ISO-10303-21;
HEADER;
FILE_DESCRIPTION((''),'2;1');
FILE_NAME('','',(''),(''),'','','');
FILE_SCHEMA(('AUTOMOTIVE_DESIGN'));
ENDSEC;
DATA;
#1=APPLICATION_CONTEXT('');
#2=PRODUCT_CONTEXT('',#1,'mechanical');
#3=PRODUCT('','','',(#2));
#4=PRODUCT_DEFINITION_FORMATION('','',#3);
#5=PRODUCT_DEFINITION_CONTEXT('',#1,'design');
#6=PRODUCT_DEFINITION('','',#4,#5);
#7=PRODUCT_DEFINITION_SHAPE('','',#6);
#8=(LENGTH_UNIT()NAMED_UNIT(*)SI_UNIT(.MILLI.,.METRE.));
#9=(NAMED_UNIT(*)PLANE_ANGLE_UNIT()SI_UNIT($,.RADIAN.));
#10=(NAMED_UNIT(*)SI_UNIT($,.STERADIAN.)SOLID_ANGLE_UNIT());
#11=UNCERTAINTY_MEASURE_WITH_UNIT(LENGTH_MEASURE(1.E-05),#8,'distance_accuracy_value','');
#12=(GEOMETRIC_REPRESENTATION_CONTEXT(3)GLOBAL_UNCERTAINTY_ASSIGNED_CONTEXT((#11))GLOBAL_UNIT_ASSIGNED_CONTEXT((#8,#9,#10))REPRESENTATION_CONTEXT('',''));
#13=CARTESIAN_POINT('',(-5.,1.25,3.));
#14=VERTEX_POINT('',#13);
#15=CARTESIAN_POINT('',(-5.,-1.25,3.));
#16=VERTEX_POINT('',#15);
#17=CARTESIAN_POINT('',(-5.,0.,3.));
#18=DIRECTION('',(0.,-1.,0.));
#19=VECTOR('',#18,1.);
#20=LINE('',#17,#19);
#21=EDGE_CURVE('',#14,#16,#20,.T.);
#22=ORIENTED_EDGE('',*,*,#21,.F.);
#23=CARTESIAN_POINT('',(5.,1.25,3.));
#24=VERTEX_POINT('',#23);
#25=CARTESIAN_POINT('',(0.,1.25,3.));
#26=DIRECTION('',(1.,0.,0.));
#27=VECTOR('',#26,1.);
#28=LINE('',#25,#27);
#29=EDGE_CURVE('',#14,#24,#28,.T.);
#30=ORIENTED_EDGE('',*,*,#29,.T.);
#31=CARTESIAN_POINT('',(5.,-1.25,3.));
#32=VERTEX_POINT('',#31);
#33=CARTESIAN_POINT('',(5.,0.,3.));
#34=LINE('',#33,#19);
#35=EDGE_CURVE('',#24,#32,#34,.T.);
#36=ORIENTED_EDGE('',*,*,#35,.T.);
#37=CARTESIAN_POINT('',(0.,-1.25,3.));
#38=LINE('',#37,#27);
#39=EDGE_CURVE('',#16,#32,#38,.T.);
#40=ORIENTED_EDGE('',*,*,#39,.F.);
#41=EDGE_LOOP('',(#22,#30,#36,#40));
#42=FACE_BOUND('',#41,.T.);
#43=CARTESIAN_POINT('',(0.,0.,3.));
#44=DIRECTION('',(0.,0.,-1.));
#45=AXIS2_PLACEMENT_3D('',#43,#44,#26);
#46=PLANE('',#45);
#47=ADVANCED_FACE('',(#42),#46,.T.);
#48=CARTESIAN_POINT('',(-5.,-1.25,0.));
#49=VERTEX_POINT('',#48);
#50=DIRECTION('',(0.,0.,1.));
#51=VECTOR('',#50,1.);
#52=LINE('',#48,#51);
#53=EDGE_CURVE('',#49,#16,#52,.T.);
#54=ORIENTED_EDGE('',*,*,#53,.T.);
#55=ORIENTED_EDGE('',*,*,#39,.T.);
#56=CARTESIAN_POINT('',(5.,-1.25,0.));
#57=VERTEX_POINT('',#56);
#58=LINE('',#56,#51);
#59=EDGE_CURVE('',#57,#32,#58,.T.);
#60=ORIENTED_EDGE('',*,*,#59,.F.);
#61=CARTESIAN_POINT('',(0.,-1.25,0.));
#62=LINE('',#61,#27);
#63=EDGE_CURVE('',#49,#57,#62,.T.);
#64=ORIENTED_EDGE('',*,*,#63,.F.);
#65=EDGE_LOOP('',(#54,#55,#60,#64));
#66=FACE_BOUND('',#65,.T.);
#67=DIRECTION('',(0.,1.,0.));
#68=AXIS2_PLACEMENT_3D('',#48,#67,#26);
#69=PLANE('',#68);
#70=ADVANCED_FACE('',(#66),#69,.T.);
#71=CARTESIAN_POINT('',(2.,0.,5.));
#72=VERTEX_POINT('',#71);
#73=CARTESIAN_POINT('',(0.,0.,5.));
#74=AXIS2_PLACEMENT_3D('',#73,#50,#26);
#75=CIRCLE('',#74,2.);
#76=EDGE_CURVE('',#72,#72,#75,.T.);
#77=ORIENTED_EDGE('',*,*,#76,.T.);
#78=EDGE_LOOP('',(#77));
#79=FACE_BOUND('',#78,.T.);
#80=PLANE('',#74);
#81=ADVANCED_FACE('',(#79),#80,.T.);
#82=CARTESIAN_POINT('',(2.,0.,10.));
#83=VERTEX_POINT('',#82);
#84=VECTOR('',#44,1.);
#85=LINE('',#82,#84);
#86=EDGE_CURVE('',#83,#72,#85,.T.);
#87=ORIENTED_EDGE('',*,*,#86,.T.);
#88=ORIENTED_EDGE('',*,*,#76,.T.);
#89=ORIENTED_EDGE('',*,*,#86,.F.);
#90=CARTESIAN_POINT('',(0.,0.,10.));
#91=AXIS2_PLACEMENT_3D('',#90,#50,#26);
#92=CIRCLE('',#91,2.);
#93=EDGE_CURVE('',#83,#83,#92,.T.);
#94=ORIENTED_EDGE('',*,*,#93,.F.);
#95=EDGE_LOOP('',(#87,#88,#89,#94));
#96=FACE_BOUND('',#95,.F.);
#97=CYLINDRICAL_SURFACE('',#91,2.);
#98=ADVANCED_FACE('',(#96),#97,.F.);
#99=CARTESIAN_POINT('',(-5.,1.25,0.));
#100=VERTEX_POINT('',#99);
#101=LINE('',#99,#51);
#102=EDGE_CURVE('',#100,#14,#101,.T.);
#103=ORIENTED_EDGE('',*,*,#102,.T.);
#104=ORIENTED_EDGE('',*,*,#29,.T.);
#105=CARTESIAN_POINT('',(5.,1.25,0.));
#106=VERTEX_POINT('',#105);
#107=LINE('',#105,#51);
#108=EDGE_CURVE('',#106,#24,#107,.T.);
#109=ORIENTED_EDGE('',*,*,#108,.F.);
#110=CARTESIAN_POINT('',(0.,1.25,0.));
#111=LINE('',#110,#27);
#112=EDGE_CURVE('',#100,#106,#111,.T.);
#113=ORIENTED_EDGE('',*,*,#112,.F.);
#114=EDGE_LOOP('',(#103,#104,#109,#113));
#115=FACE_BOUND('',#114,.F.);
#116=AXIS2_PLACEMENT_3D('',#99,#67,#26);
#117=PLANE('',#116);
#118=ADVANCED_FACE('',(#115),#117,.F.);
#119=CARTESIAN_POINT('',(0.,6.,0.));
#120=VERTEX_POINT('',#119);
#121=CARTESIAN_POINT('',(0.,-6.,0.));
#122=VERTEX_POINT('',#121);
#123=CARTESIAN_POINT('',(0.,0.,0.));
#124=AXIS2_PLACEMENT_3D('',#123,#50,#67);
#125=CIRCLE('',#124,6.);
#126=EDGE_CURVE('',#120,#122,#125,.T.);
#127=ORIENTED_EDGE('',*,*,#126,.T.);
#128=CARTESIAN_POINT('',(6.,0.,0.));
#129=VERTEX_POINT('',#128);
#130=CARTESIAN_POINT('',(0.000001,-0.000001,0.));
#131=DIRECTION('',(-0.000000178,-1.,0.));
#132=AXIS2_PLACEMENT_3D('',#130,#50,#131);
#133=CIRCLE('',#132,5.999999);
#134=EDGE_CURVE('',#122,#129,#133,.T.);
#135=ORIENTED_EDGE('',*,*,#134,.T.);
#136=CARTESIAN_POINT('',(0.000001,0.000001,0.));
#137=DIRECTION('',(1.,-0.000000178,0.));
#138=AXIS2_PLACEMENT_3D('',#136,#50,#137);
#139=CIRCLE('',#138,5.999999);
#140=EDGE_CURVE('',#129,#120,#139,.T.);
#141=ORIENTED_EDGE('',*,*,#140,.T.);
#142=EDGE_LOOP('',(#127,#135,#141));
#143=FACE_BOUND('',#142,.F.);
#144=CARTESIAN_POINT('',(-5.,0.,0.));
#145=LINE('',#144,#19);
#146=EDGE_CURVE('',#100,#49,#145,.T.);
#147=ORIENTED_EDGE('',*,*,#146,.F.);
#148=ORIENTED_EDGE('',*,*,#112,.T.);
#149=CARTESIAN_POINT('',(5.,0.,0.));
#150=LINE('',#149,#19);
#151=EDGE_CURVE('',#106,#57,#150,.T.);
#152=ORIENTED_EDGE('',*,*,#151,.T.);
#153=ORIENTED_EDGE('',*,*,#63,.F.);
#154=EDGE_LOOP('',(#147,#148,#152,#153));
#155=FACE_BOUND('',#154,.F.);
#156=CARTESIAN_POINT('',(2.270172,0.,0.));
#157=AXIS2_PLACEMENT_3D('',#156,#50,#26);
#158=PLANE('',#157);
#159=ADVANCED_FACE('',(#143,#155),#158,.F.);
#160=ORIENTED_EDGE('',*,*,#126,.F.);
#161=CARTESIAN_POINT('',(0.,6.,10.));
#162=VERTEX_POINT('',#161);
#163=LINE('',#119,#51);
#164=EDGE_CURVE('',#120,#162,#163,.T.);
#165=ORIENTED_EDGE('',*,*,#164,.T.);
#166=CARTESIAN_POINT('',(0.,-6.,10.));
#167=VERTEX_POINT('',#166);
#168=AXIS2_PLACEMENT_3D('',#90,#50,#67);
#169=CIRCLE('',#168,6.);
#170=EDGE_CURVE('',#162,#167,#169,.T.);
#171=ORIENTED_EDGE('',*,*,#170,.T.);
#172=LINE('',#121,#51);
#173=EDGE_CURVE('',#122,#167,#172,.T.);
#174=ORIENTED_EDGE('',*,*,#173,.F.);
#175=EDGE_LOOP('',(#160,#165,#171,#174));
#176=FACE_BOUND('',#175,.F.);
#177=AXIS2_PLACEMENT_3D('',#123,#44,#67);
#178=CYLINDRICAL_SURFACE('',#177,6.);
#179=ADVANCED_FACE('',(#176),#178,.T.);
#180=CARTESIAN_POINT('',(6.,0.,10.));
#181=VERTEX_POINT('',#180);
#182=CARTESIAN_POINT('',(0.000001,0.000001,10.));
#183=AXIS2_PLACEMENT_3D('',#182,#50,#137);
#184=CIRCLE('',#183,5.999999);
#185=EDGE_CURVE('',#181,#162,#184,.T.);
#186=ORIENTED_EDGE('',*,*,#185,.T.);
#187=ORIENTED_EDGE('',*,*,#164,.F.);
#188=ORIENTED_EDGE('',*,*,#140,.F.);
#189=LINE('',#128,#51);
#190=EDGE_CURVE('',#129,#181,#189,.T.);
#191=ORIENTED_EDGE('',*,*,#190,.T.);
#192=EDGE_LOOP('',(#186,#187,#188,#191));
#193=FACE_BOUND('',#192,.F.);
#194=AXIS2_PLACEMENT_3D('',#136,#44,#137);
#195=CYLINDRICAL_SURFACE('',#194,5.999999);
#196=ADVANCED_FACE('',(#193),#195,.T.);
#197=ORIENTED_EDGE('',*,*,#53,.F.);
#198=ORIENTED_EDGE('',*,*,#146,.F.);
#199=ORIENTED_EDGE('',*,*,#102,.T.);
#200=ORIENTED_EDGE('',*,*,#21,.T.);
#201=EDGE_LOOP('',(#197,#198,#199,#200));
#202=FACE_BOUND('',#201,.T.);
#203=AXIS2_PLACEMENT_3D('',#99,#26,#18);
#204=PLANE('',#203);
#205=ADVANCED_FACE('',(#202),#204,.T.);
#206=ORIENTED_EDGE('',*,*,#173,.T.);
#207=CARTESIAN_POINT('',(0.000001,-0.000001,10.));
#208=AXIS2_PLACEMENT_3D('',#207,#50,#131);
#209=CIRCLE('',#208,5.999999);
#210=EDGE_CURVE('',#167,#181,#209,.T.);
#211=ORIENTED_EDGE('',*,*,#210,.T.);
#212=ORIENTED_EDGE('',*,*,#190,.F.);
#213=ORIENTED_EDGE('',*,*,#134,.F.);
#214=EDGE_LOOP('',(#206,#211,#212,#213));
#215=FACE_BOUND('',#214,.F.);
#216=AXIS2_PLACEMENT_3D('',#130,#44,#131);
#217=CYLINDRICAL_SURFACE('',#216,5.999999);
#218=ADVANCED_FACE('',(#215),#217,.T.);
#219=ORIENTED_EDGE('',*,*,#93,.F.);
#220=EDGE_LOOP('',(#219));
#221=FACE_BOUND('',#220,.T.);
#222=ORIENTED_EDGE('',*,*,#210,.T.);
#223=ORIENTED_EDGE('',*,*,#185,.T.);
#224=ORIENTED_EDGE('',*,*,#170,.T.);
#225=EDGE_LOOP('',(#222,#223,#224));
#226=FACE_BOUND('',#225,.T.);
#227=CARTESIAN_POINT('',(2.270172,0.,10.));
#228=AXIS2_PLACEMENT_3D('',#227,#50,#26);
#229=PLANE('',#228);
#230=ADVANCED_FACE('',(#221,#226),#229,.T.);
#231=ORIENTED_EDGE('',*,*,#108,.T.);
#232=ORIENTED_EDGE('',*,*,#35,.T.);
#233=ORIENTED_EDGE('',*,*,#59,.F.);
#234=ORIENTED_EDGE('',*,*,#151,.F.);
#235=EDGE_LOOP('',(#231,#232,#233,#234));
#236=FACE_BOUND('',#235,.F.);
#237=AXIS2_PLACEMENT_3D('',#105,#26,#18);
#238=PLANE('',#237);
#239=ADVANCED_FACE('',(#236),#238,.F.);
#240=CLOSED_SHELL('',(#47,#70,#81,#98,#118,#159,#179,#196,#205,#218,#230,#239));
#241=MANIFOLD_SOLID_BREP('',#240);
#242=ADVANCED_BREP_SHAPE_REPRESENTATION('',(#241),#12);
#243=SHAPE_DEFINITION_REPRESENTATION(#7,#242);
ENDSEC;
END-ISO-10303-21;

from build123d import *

# Parameters (mm, degrees)
F1_DEPTH = 10
F2_R     = 2
F3_DEPTH = 5
F4_W     = 10
F4_H     = 2.5
F5_DEPTH = 3


with BuildPart() as f1:
    # F0 (on Top) → F1 (new body)
    with BuildSketch(Plane.XY):
        with BuildLine():
            ThreePointArc((0, -6), (4.242641, -4.242641), (6, 0))
            ThreePointArc((6, 0), (4.242641, 4.242641), (0, 6))
            Line((0, 6), (0, -6))
        make_face()
        with BuildLine():
            Line((0, -6), (0, 6))
            ThreePointArc((0, 6), (-6, 0), (0, -6))
        make_face()
    extrude(amount=F1_DEPTH)

    # F2 (on face) → F3 (cut)
    with BuildSketch(Plane.XY.offset(10)):
        Circle(F2_R)
    extrude(amount=-F3_DEPTH, mode=Mode.SUBTRACT)

    # F4 (on face) → F5 (cut)
    with BuildSketch(Plane(origin=(0, 0, 0), x_dir=(1, 0, 0), z_dir=(0, 0, -1))):
        Rectangle(F4_W, F4_H)
    extrude(amount=-F5_DEPTH, mode=Mode.SUBTRACT)


solid = f1.part
